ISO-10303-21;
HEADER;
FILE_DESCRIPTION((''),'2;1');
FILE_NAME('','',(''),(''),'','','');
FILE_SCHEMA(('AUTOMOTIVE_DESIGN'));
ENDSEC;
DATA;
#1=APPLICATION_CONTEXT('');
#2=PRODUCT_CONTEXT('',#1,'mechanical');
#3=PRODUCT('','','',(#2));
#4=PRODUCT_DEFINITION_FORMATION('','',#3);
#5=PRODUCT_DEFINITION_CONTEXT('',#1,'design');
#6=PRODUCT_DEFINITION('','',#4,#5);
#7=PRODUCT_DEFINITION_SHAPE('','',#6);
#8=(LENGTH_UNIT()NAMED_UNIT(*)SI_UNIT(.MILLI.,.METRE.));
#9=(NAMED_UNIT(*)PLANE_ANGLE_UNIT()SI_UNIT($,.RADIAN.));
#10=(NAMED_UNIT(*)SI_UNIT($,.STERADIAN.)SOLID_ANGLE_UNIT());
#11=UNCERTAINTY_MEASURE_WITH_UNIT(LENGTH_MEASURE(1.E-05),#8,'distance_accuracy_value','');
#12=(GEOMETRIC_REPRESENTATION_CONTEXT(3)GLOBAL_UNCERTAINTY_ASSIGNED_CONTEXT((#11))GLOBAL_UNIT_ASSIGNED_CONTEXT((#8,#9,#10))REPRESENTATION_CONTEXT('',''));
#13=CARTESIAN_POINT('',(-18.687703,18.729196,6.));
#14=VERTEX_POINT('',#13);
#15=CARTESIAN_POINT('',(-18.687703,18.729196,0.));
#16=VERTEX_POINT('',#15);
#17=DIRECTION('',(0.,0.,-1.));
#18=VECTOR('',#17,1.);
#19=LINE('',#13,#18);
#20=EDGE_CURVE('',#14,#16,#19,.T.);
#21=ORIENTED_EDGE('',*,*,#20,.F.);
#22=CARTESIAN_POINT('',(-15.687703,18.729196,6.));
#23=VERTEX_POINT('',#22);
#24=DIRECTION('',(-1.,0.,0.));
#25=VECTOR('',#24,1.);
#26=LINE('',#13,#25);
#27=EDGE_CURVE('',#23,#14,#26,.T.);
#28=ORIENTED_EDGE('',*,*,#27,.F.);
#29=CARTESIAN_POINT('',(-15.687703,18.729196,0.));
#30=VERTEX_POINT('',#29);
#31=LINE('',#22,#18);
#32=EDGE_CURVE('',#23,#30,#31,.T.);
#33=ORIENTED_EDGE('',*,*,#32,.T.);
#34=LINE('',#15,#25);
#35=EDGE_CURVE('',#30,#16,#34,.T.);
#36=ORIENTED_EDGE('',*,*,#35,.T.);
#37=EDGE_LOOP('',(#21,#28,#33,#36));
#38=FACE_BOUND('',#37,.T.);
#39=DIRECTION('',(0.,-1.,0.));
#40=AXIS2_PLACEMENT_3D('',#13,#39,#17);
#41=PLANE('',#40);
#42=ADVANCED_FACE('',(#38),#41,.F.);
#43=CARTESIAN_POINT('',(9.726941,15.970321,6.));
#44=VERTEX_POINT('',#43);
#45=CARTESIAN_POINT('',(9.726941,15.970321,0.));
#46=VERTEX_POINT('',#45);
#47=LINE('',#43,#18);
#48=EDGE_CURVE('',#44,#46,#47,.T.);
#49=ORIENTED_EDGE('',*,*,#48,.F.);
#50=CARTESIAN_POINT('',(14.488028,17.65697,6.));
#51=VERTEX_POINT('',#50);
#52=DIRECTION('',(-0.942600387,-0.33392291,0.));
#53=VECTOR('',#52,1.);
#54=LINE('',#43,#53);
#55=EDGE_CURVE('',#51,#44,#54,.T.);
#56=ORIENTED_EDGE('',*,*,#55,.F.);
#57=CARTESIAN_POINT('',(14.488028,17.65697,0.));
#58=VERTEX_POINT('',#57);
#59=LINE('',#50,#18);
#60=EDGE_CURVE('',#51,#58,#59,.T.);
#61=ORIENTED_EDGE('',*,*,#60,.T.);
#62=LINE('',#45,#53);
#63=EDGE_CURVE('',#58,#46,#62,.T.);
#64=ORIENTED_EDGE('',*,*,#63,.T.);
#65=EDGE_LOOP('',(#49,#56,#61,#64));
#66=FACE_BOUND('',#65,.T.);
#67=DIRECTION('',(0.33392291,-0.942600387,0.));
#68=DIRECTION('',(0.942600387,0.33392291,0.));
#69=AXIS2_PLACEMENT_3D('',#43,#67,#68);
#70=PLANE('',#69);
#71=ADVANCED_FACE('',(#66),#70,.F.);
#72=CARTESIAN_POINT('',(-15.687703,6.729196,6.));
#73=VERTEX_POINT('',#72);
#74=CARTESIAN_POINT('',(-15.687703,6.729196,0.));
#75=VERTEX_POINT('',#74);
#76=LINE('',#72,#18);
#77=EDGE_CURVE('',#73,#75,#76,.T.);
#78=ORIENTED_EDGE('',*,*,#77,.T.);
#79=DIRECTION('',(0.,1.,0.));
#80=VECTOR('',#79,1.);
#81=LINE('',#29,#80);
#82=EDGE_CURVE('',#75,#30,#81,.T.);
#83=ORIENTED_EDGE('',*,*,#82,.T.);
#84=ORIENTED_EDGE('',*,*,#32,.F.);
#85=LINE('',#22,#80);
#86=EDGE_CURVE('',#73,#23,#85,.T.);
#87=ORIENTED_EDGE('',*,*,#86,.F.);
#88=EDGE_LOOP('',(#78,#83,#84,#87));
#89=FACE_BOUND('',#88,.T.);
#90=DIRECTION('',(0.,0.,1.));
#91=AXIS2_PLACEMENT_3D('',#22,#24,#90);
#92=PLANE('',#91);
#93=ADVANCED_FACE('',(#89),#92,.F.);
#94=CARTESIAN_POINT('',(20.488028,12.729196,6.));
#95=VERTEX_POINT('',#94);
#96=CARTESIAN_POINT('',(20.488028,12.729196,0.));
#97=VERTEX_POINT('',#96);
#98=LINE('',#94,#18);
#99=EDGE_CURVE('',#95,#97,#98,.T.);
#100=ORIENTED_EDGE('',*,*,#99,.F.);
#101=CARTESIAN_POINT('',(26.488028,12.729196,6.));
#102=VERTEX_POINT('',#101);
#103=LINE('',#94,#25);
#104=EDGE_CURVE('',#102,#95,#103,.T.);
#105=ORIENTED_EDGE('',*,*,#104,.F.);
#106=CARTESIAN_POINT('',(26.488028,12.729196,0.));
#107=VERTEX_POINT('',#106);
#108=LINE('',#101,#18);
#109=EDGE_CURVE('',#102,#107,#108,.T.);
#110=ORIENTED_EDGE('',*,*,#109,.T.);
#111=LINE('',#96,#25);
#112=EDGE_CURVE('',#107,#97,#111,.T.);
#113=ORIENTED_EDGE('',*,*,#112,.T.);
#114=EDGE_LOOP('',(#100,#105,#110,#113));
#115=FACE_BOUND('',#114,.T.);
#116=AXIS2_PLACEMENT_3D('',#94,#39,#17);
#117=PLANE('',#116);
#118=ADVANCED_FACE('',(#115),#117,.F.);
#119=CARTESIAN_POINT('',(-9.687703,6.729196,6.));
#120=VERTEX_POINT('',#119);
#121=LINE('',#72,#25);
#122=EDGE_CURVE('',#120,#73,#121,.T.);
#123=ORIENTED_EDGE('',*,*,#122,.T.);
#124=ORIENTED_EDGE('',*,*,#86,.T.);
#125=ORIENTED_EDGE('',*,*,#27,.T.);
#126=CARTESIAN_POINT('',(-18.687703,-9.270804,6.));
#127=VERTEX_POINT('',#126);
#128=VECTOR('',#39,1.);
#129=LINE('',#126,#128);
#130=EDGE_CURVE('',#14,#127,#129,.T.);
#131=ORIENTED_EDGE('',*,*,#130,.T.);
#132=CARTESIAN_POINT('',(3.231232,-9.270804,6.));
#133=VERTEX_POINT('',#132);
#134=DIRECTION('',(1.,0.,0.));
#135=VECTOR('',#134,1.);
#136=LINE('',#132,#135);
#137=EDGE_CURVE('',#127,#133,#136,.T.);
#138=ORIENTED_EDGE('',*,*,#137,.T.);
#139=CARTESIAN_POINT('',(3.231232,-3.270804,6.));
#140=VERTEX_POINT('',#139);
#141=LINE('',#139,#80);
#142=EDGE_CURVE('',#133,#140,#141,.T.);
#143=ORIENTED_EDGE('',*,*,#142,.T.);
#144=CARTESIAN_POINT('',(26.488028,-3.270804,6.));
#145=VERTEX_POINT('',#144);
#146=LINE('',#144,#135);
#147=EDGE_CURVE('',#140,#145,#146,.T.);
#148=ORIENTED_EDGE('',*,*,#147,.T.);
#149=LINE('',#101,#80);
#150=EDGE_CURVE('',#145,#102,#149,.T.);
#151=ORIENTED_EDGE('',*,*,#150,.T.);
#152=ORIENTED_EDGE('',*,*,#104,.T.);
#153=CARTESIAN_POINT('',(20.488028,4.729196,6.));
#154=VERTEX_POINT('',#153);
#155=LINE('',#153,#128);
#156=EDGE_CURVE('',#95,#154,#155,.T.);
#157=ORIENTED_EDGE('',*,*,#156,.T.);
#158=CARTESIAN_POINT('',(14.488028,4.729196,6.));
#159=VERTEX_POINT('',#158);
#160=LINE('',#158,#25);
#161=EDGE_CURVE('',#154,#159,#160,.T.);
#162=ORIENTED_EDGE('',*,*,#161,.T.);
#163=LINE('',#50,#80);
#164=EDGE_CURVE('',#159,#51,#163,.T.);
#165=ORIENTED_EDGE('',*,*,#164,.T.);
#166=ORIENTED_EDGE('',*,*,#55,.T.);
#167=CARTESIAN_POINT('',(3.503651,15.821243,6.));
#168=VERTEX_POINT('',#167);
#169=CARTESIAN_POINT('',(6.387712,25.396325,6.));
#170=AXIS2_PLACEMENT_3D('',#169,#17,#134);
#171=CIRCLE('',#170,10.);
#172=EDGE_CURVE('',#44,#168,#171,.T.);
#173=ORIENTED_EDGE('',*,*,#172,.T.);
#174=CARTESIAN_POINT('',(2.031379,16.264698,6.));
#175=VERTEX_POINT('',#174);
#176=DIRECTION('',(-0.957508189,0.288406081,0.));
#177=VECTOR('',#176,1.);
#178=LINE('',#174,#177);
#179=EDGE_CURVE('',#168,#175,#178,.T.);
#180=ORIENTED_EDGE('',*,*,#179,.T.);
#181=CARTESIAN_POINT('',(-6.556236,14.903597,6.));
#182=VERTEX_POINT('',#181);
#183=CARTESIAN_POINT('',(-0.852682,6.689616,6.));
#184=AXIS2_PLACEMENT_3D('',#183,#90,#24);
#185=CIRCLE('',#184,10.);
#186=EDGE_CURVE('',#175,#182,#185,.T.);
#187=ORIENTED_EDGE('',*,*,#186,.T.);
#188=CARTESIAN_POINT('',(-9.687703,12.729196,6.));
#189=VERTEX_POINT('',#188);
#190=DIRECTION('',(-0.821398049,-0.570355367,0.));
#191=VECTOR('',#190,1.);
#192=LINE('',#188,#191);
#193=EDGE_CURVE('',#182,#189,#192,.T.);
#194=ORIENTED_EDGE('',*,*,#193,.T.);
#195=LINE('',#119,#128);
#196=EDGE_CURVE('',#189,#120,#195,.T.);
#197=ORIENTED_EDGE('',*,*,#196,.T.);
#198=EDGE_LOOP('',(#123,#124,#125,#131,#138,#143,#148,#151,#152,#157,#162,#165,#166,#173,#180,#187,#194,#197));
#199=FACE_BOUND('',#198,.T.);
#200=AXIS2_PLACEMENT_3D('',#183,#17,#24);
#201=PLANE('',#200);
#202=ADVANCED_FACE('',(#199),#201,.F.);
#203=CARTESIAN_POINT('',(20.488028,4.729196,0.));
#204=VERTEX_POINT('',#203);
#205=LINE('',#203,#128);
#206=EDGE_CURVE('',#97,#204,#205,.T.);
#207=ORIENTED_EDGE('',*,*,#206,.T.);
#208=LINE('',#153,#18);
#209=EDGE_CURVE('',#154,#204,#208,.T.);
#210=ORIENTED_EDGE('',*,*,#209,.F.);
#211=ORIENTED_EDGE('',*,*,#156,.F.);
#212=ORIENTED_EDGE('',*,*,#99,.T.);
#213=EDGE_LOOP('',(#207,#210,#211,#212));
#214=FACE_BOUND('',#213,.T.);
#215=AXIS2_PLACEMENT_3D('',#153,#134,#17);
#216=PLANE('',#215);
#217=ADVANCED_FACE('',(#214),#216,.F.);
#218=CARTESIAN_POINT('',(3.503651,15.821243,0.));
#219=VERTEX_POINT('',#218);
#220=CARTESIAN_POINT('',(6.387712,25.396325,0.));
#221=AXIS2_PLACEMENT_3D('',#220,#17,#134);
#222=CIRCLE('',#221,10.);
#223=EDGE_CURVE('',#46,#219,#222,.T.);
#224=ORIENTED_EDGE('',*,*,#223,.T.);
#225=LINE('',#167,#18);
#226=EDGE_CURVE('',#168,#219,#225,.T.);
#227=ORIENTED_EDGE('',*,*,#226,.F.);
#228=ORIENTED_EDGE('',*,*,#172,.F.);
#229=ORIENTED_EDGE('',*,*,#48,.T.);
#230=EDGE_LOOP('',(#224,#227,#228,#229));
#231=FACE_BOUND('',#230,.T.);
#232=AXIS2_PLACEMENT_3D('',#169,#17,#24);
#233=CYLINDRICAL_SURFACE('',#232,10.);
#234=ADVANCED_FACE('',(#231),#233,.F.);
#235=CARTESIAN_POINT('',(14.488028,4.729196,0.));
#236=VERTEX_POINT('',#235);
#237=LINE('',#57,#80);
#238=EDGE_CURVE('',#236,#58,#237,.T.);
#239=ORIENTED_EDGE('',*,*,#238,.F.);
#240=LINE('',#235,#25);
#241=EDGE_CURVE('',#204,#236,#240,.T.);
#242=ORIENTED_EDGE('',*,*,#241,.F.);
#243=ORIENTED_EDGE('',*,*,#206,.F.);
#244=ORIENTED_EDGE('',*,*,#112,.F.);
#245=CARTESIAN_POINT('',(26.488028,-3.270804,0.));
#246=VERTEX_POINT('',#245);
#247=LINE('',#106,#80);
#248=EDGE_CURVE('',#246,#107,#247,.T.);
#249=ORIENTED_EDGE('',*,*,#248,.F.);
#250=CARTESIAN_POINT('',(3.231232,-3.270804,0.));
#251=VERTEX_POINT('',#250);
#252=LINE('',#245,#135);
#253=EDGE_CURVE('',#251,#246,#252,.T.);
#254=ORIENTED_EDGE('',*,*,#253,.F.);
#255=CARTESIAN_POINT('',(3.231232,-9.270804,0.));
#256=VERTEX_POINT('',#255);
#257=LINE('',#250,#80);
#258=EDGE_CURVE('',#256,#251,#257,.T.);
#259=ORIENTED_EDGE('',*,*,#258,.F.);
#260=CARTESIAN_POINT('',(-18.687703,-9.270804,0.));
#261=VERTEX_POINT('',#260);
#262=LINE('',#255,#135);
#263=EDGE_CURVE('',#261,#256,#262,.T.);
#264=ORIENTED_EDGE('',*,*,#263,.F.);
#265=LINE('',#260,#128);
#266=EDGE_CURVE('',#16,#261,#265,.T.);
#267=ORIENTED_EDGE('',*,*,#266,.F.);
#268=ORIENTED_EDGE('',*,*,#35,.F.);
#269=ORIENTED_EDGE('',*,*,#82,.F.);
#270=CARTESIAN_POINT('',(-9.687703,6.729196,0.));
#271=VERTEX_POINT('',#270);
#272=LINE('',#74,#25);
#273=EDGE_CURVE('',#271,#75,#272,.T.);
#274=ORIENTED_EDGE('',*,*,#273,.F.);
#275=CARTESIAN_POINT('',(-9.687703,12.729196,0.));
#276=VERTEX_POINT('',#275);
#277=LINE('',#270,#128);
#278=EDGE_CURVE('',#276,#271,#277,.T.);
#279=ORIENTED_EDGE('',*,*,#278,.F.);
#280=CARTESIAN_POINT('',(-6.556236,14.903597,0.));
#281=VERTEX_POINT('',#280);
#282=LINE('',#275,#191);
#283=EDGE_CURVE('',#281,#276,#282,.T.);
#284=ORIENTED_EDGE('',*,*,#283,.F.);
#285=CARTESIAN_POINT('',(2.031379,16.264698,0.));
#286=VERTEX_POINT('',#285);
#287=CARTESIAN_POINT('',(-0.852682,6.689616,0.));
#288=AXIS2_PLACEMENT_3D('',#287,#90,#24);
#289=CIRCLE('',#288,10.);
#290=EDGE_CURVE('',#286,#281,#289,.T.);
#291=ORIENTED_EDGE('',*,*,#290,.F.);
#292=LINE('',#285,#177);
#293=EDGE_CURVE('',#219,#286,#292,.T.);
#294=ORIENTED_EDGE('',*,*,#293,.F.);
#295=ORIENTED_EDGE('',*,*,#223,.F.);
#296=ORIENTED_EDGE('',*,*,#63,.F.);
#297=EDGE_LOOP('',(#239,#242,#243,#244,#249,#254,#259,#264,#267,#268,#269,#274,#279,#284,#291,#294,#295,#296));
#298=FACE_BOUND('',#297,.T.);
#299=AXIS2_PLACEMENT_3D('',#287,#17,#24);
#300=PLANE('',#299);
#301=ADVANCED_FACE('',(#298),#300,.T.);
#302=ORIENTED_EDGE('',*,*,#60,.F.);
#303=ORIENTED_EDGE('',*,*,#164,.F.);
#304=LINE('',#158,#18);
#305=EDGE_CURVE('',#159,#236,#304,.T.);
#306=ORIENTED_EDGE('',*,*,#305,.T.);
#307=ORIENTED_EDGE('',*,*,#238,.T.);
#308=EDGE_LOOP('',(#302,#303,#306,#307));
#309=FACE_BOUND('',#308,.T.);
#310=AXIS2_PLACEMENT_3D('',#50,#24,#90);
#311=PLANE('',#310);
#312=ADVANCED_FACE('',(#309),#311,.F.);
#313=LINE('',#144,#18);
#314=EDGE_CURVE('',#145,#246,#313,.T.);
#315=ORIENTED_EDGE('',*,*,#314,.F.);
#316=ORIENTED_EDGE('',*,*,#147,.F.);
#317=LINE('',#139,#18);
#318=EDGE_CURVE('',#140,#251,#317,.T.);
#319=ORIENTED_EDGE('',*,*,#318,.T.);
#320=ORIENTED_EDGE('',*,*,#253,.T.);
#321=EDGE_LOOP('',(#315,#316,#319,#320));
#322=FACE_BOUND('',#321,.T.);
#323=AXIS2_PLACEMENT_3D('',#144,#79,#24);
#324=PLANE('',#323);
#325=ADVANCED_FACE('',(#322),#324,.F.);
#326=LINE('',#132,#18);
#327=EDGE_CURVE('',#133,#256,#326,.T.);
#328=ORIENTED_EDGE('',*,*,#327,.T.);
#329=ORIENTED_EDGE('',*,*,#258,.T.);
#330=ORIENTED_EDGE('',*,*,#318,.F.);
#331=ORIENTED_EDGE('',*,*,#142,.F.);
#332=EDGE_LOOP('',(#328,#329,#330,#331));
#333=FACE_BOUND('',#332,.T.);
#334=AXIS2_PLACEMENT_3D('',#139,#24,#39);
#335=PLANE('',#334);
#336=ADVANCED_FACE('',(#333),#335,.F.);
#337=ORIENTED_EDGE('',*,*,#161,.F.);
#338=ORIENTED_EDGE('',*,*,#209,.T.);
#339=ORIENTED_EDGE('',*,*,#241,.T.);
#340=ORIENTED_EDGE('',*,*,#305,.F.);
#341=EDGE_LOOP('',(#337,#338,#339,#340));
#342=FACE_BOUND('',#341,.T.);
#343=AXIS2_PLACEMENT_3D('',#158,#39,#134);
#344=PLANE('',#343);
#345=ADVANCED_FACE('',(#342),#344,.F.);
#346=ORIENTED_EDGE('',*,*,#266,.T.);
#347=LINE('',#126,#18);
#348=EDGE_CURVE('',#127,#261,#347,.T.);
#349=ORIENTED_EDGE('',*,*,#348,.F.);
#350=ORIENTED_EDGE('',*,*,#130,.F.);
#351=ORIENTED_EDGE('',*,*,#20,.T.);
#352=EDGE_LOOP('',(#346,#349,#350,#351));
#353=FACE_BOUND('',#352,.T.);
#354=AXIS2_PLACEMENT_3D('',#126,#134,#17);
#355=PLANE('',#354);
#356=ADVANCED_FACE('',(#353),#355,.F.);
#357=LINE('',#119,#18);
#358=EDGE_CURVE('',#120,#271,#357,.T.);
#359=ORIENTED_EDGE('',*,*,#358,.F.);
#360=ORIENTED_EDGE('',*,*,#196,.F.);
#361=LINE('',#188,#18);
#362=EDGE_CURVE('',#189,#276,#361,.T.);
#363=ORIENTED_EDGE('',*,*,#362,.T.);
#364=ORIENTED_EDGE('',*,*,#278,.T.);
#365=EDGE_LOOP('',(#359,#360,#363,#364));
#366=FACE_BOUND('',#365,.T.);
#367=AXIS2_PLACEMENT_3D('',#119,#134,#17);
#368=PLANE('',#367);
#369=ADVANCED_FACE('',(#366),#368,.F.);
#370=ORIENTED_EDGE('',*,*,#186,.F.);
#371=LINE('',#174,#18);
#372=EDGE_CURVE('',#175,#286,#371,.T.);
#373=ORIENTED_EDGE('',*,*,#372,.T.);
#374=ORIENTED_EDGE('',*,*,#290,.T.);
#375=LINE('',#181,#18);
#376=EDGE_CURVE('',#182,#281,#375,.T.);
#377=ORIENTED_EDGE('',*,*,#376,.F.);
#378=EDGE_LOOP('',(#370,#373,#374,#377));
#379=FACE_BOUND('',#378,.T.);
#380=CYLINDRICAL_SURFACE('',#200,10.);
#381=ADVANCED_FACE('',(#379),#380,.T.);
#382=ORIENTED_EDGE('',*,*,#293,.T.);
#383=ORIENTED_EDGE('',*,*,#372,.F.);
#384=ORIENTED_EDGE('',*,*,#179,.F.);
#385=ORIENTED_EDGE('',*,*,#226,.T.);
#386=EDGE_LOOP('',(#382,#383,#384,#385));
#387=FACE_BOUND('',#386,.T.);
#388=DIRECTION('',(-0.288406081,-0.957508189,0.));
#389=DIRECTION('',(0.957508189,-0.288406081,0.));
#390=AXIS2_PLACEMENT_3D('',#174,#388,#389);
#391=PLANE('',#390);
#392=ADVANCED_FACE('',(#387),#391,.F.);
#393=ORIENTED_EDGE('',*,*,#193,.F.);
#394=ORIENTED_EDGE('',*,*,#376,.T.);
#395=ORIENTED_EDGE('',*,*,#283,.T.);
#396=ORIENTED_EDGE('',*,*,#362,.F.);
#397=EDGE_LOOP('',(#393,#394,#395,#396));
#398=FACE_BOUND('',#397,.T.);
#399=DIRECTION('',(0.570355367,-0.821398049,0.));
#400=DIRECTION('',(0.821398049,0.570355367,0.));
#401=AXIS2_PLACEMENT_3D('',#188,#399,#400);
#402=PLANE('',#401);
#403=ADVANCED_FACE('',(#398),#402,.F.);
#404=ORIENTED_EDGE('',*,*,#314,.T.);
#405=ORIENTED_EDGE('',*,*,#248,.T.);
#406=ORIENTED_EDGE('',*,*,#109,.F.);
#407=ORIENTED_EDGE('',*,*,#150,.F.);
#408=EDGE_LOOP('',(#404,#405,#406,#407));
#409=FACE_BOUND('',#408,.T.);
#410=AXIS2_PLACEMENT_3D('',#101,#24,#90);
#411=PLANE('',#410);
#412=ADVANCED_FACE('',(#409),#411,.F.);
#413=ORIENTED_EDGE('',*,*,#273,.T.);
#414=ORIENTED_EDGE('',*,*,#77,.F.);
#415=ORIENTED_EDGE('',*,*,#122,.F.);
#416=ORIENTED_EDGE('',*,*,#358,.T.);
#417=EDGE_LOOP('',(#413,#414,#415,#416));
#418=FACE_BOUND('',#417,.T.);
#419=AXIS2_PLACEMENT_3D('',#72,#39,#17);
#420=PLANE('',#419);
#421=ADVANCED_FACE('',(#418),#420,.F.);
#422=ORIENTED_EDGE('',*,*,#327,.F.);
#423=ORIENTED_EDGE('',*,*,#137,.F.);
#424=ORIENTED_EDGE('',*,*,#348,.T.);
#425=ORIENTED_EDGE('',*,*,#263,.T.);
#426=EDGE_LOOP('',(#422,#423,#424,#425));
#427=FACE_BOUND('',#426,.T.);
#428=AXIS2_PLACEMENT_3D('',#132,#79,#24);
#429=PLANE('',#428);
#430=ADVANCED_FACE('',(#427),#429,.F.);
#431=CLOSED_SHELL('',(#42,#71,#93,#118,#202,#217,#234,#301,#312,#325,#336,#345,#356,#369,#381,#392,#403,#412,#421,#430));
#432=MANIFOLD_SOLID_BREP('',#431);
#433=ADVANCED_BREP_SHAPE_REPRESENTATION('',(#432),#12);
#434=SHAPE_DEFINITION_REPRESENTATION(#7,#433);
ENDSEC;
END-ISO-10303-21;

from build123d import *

# Parameters (mm, degrees)
BOSS_EXTRUDE1_DEPTH = 6


with BuildPart() as part:
    # Sketch1 → Boss-Extrude1 (new body)
    with BuildSketch(Plane.XY):
        with BuildLine():
            Line((-18.687702572, 18.729195928), (-15.687702572, 18.729195928))
            Line((-15.687702572, 18.729195928), (-15.687702572, 6.729195928))
            Line((-15.687702572, 6.729195928), (-9.687702572, 6.729195928))
            Line((-9.687702572, 6.729195928), (-9.687702572, 12.729195928))
            Line((-9.687702572, 12.729195928), (-6.556235979, 14.903596974))
            ThreePointArc((-6.556235979, 14.903596974), (-2.418100544, 16.566329788), (2.031378501, 16.264698373))
            Line((2.031378501, 16.264698373), (3.503651069, 15.82124278))
            ThreePointArc((3.503651069, 15.82124278), (6.627191746, 15.399192613), (9.726940979, 15.970320798))
            Line((9.726940979, 15.970320798), (14.488027768, 17.656969749))
            Line((14.488027768, 17.656969749), (14.488027768, 4.729195928))
            Line((14.488027768, 4.729195928), (20.488027768, 4.729195928))
            Line((20.488027768, 4.729195928), (20.488027768, 12.729195928))
            Line((20.488027768, 12.729195928), (26.488027768, 12.729195928))
            Line((26.488027768, 12.729195928), (26.488027768, -3.270804072))
            Line((26.488027768, -3.270804072), (3.231231788, -3.270804072))
            Line((3.231231788, -3.270804072), (3.231231788, -9.270804072))
            Line((3.231231788, -9.270804072), (-18.687702572, -9.270804072))
            Line((-18.687702572, -9.270804072), (-18.687702572, 18.729195928))
        make_face()
    extrude(amount=BOSS_EXTRUDE1_DEPTH)


solid = part.part
